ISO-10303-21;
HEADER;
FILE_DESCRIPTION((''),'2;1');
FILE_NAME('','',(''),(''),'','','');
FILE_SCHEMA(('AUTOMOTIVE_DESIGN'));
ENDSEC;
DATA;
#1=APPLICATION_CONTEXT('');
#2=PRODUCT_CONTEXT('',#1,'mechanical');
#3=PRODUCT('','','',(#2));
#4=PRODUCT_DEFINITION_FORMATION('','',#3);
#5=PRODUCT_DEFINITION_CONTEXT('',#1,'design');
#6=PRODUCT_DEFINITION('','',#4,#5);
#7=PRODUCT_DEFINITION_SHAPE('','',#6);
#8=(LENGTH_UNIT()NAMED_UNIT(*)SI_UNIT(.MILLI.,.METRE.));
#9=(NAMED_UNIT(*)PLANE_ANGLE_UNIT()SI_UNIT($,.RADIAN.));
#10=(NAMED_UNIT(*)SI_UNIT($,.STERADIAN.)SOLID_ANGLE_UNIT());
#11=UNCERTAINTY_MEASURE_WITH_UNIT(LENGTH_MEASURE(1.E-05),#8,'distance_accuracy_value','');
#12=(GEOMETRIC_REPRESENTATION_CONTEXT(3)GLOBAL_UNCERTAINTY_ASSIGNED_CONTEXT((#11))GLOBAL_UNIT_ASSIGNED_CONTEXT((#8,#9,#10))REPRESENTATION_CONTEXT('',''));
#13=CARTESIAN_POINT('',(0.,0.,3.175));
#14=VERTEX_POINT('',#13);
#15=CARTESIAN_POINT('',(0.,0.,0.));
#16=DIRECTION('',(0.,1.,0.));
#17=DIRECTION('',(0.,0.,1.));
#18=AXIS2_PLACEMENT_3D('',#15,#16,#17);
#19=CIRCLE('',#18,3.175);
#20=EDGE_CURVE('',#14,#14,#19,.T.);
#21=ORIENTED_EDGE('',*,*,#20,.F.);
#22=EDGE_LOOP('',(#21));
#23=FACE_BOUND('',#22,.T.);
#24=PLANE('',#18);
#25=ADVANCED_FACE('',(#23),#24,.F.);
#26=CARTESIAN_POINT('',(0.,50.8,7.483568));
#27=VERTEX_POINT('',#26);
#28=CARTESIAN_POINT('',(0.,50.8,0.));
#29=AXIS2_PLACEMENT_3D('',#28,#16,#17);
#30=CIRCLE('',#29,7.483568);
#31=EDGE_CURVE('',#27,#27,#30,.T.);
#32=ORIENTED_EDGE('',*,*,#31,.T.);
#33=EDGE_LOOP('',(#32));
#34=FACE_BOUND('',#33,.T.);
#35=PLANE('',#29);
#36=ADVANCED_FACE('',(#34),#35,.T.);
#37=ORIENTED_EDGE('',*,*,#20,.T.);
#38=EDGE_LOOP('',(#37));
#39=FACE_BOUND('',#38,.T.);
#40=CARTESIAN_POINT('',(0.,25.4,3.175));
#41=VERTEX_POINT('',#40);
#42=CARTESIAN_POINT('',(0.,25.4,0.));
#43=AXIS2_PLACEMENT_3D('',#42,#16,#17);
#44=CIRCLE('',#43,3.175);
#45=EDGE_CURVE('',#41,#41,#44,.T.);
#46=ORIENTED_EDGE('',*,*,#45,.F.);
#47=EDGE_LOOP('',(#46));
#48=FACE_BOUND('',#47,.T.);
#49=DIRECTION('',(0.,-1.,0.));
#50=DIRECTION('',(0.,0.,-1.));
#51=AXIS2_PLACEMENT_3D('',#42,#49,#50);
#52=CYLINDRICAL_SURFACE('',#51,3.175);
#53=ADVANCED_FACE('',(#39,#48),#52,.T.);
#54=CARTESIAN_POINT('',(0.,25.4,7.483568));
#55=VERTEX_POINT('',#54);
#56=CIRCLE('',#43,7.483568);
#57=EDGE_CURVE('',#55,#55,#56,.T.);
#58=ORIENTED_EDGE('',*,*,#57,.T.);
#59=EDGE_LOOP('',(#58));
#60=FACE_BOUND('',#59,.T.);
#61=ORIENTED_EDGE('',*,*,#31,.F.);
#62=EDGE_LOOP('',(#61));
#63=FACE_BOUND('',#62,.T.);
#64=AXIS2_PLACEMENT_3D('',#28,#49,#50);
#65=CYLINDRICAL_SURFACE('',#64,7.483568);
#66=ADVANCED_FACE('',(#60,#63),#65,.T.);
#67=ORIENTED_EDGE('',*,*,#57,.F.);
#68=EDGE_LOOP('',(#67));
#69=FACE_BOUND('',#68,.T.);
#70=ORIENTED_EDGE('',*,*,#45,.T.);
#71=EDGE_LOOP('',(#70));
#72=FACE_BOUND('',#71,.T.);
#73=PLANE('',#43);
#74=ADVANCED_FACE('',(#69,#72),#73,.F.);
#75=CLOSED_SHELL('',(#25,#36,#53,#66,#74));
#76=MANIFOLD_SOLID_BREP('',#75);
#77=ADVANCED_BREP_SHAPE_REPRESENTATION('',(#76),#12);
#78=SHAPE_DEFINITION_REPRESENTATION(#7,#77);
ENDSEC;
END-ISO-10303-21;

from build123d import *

# Parameters (mm, degrees)
SKETCH1_R           = 3.175
BOSS_EXTRUDE1_DEPTH = 25.4
SKETCH2_R           = 7.483568298
BOSS_EXTRUDE2_DEPTH = 25.4


with BuildPart() as part:
    # Sketch1 → Boss-Extrude1 (new body)
    with BuildSketch(Plane(origin=(0, 0, 0), x_dir=(1, 0, 0), z_dir=(0, 1, 0))):
        with Locations(Location((0, 0, 0), (0, 0, 270))):
            Circle(SKETCH1_R)
    extrude(amount=BOSS_EXTRUDE1_DEPTH)

    # Sketch2 → Boss-Extrude2 (add)
    with BuildSketch(Plane(origin=(0, 25.4, 0), x_dir=(1, 0, 0), z_dir=(0, 1, 0))):
        with Locations(Location((0, 0, 0), (0, 0, 270))):
            Circle(SKETCH2_R)
    extrude(amount=BOSS_EXTRUDE2_DEPTH)


solid = part.part
